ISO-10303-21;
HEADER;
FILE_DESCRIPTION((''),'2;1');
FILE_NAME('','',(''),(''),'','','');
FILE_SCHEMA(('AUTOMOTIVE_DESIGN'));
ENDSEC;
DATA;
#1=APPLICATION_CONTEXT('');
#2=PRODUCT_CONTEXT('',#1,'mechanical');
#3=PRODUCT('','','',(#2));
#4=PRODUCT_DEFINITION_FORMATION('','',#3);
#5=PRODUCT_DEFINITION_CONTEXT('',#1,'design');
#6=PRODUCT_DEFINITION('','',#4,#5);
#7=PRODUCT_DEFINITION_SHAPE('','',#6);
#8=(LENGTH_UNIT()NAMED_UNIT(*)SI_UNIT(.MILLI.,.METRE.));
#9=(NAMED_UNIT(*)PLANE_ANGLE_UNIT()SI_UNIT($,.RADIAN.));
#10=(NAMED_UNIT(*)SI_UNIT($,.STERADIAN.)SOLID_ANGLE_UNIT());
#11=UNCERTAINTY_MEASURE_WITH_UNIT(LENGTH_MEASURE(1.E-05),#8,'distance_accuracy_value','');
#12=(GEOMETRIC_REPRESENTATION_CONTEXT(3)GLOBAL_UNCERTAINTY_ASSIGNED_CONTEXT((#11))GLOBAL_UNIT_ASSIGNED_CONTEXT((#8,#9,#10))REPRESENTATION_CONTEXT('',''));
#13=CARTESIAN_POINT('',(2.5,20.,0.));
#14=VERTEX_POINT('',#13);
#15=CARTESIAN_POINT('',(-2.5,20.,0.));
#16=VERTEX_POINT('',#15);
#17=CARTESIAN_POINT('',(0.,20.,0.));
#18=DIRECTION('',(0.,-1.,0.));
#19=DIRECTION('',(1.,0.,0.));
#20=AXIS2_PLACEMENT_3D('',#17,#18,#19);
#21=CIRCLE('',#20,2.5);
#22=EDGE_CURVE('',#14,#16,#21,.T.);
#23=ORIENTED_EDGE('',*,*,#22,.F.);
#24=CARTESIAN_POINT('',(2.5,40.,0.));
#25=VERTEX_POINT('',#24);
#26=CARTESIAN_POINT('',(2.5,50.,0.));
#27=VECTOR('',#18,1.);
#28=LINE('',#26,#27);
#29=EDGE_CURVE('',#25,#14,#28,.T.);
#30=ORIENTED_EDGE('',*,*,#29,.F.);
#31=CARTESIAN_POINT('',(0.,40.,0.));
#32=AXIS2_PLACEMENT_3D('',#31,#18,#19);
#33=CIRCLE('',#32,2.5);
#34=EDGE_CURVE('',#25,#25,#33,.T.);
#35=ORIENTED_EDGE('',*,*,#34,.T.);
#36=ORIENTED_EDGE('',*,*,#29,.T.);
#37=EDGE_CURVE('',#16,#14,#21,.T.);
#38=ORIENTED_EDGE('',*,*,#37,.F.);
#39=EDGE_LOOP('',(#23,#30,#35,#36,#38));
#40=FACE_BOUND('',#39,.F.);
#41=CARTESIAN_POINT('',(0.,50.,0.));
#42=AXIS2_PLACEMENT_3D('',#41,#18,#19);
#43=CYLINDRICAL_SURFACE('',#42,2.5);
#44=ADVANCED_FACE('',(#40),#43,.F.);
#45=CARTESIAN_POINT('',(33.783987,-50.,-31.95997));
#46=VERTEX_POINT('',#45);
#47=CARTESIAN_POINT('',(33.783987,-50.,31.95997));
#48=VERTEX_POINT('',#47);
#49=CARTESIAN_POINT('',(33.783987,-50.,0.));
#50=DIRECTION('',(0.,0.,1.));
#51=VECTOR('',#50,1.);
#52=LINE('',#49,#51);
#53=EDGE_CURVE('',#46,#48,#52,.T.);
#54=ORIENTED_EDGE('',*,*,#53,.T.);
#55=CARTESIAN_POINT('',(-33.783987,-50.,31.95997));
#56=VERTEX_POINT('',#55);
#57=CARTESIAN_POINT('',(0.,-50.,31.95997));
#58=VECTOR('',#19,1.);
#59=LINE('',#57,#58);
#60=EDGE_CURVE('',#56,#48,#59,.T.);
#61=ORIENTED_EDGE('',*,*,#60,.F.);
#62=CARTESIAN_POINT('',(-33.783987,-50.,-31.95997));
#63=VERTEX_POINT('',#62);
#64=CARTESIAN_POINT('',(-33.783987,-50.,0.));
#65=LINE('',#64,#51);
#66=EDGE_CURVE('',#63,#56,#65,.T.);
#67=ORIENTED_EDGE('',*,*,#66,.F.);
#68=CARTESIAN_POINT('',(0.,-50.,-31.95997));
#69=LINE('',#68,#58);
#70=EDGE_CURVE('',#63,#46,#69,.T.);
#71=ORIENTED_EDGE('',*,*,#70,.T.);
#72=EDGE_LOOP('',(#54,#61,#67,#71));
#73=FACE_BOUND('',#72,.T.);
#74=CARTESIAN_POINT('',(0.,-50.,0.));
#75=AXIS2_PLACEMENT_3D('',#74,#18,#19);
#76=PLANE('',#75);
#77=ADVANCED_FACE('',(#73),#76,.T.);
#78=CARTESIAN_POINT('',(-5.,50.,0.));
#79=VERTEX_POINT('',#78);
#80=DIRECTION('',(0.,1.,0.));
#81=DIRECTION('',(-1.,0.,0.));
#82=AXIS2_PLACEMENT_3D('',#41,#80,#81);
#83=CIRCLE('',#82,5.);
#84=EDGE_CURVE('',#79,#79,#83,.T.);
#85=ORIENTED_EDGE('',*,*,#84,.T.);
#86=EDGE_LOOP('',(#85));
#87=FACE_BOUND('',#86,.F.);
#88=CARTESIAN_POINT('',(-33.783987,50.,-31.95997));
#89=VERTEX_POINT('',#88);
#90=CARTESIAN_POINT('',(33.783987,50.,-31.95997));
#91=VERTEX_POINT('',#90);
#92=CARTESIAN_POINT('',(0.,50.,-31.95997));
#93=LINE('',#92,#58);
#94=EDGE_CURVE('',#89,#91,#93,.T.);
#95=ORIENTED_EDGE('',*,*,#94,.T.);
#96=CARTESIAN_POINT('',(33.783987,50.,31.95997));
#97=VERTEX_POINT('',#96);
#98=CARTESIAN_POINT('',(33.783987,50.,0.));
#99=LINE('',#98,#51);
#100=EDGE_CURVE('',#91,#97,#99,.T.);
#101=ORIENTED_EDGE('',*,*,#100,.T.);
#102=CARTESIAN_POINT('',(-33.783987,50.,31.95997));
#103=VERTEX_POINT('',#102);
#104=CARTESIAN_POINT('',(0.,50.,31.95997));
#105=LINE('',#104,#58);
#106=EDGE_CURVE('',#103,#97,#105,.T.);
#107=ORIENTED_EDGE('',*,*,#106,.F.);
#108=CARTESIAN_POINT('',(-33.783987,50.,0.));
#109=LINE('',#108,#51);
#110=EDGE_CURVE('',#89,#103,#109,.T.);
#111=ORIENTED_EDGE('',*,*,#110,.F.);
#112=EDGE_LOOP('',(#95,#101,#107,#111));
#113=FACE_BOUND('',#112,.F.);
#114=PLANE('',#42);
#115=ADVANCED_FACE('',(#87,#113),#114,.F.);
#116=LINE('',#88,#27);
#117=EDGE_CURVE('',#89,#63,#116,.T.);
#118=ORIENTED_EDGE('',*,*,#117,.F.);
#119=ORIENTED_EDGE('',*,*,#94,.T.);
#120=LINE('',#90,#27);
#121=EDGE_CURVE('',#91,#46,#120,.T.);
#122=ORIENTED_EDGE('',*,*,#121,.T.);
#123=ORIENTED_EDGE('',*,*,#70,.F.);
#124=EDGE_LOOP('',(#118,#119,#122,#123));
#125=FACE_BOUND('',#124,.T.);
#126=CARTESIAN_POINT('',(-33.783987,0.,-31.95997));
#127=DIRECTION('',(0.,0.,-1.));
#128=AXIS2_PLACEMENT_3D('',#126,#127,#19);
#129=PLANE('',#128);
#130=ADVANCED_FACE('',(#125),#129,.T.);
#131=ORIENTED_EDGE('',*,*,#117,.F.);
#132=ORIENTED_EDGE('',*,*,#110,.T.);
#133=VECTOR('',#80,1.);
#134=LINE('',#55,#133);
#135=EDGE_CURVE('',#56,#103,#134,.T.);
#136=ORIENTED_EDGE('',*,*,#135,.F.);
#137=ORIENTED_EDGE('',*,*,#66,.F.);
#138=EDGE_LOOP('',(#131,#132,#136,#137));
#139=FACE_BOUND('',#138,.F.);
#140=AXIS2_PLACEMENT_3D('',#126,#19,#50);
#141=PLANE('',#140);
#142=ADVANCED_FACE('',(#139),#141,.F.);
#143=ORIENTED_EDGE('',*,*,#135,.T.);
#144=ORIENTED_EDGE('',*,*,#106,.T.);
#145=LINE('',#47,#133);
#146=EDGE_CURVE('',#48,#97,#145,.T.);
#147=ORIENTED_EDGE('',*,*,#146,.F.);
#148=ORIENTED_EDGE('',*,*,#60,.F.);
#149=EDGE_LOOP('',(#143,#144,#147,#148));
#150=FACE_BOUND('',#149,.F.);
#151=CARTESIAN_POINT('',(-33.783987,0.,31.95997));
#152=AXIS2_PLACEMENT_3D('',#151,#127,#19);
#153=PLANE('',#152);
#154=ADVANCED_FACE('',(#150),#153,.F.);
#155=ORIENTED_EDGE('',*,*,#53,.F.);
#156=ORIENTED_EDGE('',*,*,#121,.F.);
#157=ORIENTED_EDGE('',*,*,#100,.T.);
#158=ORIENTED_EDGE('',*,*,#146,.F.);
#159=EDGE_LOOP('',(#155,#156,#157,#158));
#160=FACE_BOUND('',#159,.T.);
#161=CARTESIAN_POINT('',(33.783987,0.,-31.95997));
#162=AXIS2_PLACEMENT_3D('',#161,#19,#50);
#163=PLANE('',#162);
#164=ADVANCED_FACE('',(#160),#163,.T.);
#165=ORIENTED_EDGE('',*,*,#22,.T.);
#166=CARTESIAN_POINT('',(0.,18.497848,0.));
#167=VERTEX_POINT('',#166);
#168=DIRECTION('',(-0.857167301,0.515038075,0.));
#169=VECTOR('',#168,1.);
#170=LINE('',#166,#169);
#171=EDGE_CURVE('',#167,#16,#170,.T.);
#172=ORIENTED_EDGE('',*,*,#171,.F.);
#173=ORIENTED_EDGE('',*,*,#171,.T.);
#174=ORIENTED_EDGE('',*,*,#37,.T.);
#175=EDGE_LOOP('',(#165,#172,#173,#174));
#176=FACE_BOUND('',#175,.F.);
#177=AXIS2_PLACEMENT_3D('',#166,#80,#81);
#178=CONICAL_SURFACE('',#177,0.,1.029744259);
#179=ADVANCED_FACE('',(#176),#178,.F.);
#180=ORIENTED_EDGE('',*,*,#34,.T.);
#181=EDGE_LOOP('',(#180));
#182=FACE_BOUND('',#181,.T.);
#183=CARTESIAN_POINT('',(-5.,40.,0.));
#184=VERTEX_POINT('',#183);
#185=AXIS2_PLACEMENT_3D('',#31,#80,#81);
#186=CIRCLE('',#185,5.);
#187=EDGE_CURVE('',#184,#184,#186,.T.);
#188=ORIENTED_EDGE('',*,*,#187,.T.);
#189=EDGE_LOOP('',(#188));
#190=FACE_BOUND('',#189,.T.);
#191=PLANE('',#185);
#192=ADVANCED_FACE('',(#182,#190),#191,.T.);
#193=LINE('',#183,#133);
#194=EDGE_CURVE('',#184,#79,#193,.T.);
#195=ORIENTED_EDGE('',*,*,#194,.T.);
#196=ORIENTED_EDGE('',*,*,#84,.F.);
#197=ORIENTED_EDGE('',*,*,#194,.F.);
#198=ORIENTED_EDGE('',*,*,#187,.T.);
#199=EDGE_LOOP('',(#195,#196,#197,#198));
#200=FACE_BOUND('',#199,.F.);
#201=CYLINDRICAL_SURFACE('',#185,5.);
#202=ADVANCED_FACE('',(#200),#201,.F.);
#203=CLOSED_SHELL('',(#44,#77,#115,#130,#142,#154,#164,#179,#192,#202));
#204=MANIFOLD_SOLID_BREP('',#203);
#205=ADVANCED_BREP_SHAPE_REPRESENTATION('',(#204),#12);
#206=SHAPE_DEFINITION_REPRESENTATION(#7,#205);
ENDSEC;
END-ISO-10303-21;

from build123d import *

# Parameters (mm, degrees)
F0_W           = 67.567974329
F0_H           = 63.9199391007
F1_DEPTH       = 50
F2_DEPTH       = 50
F4_D           = 5
F4_DEPTH       = 30
F4_CBORE_D     = 10
F4_CBORE_DEPTH = 10
F4_TIP         = 1.5021515476


with BuildPart() as f1:
    # F0 (on Front) → F1 (new body)
    with BuildSketch(Plane.XZ):
        Rectangle(F0_W, F0_H)
    extrude(amount=F1_DEPTH)

    # F2 (add): a face of the model
    f2_faces = [f1.faces().sort_by_distance(p)[0] for p in [
        (0, 0, 0),
    ]]
    extrude(f2_faces, amount=F2_DEPTH)

    # F4
    with Locations(Plane(origin=(0, 50, 0), x_dir=(-1, 0, 0), z_dir=(0, 1, 0))):
        with Locations((0, 0)):
            CounterBoreHole(F4_D / 2, F4_CBORE_D / 2, F4_CBORE_DEPTH, depth=F4_DEPTH)
            with Locations((0, 0, -(F4_DEPTH + F4_TIP / 2))):  # 118° drill point
                Cone(0, F4_D / 2, F4_TIP, mode=Mode.SUBTRACT)


solid = f1.part
